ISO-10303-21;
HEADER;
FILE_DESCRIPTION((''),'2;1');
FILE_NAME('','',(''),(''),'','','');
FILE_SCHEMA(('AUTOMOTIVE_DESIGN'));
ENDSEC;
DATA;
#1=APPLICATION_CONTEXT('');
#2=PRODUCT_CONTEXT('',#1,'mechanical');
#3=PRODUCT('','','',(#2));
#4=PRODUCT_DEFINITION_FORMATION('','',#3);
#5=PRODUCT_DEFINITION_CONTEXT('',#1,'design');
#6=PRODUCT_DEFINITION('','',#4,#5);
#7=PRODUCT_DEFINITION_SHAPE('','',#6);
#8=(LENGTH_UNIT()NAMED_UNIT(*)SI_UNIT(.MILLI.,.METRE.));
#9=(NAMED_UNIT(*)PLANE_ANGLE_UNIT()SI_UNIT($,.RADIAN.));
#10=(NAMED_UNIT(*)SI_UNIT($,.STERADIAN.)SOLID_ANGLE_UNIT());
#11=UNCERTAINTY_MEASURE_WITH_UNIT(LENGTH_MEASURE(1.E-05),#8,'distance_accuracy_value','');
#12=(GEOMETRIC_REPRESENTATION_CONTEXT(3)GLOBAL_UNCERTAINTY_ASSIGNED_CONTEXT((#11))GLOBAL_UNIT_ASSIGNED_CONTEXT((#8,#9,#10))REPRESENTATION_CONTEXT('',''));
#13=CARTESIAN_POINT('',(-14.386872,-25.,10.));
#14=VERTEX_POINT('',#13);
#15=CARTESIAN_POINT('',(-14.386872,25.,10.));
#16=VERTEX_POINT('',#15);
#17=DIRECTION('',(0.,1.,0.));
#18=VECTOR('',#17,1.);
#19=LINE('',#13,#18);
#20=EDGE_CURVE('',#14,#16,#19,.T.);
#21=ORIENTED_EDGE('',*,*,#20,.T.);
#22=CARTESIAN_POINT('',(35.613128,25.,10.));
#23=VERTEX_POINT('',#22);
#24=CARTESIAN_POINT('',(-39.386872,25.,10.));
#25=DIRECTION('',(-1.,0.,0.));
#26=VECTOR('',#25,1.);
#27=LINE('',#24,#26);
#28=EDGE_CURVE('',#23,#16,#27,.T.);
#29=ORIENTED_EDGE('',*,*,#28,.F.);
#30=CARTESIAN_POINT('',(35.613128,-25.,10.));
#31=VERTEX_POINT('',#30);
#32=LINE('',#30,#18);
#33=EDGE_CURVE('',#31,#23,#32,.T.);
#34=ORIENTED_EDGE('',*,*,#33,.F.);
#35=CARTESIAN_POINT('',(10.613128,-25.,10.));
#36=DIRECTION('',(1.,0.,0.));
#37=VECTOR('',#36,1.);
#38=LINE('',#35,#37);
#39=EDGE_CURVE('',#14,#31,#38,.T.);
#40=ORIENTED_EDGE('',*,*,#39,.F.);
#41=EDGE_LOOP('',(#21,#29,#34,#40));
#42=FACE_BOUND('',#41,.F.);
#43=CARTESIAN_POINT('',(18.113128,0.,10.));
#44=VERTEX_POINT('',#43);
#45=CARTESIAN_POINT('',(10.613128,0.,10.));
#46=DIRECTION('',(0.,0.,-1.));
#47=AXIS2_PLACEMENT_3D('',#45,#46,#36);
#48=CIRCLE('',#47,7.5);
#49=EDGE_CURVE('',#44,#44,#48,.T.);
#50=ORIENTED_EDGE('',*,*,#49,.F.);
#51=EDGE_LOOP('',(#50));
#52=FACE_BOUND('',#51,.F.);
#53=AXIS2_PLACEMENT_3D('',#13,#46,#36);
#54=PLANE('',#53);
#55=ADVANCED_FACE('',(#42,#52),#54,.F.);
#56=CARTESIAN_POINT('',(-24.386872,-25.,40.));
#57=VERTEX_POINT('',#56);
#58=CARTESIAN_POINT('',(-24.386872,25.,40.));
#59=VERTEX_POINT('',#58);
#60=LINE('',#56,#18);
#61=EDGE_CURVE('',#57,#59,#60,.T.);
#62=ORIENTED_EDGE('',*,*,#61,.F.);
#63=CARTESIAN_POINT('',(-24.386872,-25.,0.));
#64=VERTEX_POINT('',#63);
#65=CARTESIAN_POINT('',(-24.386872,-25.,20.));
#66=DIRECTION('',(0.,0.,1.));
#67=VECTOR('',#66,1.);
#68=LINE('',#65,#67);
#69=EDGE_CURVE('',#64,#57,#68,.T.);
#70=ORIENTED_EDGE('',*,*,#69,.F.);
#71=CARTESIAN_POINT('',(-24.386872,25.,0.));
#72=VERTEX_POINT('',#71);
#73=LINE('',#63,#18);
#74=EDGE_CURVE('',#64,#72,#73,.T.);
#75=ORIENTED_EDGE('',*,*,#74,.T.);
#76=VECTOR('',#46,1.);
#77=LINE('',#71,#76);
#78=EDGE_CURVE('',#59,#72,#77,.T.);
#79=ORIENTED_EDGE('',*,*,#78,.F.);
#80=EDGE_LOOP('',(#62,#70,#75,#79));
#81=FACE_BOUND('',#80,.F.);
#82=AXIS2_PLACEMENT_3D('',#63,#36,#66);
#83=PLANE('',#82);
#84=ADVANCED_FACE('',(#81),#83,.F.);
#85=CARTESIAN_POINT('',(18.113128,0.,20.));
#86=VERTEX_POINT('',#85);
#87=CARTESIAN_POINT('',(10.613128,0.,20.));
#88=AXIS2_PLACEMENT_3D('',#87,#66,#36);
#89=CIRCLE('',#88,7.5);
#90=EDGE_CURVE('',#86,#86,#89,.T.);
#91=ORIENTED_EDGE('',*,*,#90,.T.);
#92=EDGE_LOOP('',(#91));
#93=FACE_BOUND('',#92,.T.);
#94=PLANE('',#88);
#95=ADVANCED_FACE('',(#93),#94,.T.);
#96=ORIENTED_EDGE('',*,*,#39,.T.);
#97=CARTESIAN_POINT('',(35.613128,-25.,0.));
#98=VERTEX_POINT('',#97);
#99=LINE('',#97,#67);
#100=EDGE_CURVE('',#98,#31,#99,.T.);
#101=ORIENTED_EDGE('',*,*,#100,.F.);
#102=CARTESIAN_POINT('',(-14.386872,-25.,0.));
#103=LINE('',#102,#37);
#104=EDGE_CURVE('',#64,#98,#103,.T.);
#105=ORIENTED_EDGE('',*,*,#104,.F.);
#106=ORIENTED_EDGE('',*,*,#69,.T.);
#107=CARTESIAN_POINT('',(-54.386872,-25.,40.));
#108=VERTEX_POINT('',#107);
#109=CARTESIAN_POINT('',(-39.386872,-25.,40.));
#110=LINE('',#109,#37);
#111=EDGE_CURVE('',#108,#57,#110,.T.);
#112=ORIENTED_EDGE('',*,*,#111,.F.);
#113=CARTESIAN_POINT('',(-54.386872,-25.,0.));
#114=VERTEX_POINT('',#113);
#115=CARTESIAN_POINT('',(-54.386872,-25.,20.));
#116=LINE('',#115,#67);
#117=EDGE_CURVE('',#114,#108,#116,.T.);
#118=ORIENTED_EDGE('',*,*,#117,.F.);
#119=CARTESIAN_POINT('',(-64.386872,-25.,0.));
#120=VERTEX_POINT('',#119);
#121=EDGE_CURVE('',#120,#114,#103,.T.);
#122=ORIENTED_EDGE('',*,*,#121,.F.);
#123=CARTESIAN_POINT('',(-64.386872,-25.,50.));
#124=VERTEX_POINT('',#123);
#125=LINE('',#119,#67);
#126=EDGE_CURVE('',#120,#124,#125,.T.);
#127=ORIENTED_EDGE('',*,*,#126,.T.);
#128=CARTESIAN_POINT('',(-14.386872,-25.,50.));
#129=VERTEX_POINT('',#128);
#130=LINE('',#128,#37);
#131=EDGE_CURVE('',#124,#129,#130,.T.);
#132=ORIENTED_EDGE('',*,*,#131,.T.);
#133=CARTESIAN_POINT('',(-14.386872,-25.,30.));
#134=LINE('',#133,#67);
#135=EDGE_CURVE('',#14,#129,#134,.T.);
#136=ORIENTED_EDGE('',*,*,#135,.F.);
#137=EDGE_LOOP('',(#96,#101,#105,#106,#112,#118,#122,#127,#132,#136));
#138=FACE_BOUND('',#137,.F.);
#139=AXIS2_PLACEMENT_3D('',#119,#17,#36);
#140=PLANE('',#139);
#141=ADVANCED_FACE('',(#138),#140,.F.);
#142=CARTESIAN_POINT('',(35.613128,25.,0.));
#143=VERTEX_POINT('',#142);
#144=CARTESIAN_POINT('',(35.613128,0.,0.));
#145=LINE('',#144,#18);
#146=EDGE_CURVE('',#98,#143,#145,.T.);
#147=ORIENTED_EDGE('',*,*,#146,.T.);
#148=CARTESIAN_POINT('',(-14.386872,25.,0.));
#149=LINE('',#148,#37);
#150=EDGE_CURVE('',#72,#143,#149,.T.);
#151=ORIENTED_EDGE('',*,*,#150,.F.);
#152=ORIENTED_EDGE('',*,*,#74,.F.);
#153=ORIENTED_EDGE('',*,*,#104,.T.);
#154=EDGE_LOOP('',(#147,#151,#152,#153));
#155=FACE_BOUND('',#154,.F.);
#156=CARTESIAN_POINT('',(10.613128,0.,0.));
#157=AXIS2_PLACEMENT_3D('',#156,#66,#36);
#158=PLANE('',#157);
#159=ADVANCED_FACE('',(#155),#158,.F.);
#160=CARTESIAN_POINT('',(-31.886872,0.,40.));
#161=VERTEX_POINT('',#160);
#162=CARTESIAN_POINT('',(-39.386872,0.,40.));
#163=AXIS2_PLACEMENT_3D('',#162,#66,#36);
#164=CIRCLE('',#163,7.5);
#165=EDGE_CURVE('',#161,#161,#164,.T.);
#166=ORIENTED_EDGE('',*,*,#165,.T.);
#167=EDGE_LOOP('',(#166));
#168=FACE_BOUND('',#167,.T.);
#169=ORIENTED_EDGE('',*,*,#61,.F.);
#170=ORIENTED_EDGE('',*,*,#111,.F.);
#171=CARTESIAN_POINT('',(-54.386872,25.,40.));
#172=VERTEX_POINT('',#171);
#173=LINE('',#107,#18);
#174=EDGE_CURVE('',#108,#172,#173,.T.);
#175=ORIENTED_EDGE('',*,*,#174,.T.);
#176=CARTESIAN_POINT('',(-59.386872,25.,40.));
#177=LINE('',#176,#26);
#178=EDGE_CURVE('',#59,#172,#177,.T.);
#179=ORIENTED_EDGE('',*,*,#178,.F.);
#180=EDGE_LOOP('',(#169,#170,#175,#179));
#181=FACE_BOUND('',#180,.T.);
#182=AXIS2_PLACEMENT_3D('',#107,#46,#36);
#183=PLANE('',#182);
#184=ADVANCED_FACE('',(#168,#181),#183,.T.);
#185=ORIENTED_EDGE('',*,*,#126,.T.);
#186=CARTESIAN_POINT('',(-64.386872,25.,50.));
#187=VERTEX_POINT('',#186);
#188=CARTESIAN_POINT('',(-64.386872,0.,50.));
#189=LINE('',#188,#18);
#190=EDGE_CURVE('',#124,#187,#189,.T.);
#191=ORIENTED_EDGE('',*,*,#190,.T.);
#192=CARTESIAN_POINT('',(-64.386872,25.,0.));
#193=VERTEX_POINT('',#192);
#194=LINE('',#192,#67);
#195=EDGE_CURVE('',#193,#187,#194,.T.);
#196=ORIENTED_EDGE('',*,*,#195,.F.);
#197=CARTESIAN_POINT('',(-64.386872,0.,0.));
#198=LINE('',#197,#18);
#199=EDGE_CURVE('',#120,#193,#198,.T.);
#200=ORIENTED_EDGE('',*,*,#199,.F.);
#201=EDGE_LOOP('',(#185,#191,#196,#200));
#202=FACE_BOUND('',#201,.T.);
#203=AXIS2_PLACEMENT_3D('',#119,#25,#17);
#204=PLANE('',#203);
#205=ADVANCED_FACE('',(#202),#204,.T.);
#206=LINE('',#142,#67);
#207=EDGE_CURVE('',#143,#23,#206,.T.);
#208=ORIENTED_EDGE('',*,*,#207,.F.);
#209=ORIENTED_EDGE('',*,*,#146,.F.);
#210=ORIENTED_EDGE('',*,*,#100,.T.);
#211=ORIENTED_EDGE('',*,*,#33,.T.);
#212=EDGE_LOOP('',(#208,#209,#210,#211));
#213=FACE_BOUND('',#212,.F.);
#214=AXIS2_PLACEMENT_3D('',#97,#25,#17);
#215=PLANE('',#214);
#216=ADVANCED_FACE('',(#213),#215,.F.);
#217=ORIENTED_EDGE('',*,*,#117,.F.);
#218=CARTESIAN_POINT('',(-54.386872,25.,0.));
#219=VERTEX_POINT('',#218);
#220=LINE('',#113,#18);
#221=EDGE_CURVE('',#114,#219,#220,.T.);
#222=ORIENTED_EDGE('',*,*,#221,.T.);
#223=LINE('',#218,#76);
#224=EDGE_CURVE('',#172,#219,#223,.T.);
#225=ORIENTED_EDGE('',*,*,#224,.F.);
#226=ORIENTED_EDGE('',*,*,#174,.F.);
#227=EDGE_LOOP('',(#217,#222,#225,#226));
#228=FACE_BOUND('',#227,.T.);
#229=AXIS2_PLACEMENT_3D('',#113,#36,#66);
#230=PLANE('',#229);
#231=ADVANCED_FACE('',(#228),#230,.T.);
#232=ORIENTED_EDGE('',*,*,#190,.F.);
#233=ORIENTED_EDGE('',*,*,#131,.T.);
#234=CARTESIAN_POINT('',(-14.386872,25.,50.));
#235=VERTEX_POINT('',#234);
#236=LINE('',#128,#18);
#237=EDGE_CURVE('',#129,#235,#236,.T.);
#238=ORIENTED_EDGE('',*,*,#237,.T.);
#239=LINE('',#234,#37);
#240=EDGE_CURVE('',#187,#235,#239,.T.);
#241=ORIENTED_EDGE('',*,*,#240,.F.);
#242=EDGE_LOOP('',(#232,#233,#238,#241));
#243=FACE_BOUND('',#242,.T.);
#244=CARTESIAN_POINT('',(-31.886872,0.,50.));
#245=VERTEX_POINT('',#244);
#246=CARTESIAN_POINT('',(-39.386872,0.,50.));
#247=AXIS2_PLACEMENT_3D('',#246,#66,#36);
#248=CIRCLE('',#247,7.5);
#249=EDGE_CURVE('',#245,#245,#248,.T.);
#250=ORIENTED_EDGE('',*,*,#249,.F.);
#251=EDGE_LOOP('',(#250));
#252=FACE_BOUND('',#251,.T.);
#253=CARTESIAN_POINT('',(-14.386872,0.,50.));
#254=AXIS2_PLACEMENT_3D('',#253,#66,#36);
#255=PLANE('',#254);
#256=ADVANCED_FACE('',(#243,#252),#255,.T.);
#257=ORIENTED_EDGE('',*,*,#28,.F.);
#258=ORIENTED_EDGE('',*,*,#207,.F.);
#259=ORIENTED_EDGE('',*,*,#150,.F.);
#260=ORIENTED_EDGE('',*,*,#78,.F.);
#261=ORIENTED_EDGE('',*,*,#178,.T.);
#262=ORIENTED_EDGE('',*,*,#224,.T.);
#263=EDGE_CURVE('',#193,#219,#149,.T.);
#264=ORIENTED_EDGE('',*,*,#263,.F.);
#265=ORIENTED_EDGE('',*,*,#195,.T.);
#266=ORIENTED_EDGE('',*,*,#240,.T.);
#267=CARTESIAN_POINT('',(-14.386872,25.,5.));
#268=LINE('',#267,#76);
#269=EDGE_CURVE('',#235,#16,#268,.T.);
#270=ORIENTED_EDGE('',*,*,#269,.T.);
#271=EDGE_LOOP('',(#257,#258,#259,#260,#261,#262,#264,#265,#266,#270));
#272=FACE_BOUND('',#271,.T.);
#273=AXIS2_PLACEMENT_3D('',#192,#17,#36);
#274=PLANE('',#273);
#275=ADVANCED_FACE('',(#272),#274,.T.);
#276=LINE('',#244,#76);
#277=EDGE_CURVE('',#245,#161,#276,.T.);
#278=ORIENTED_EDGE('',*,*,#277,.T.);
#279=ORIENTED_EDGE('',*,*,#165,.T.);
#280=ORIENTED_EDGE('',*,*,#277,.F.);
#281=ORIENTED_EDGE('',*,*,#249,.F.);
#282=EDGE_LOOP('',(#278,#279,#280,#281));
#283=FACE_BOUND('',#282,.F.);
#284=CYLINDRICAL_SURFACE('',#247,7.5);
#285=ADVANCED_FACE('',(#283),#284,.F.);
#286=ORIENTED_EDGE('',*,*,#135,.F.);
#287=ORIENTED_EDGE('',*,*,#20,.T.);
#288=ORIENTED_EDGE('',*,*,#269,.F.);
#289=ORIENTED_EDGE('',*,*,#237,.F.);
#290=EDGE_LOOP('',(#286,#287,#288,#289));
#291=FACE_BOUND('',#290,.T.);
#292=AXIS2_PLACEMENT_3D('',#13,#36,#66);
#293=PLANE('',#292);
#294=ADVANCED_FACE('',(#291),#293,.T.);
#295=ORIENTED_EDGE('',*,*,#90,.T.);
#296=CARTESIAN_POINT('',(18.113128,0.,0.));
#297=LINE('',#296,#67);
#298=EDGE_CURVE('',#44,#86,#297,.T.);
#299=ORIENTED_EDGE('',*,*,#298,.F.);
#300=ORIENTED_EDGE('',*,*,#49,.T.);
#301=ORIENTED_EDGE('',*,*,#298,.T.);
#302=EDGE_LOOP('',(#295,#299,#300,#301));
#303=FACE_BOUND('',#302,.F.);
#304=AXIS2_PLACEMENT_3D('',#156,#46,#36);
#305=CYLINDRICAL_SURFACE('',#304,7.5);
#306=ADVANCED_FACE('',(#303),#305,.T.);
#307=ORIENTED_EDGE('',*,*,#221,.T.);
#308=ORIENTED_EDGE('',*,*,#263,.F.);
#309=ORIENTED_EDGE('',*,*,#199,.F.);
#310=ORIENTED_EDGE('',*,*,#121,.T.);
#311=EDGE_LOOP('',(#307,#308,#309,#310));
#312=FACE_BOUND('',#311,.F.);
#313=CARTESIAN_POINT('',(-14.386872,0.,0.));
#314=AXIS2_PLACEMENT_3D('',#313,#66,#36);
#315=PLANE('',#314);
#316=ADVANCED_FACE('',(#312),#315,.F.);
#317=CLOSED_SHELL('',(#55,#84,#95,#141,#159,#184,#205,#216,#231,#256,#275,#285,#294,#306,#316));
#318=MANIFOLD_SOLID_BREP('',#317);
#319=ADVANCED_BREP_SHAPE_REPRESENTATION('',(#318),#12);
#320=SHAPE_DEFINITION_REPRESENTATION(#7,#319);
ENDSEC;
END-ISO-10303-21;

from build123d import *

# Parameters (mm, degrees)
F0_W     = 100
F0_H     = 50
F1_DEPTH = 50
F2_W     = 50
F2_H     = 40
F3_DEPTH = 50.001
F4_W     = 30
F4_H     = 40
F5_DEPTH = 50.001
F6_R     = 7.5
F7_DEPTH = 50.001
F8_R     = 7.5
F9_DEPTH = 20


with BuildPart() as f1:
    # F0 (on Top) → F1 (new body)
    with BuildSketch(Plane.XY):
        with Locations((-14.386872, 0)):
            Rectangle(F0_W, F0_H)
    extrude(amount=F1_DEPTH)

    # F2 (on face) → F3 (cut, through all)
    with BuildSketch(Plane.XZ.offset(25)):
        with Locations((10.613128, 30)):
            Rectangle(F2_W, F2_H)
    extrude(amount=-F3_DEPTH, mode=Mode.SUBTRACT)

    # F4 (on face) → F5 (cut, through all)
    with BuildSketch(Plane.XZ.offset(25)):
        with Locations((-39.386872, 20)):
            Rectangle(F4_W, F4_H)
    extrude(amount=-F5_DEPTH, mode=Mode.SUBTRACT)

    # F6 (on face) → F7 (cut, through all)
    with BuildSketch(Plane.XY.offset(50)):
        with Locations((-39.386872, 0)):
            Circle(F6_R)
    extrude(amount=-F7_DEPTH, mode=Mode.SUBTRACT)

    # F8 (on face) → F9 (join)
    with BuildSketch(Plane.XY):
        with Locations((10.613128, 0)):
            Circle(F8_R)
    extrude(amount=F9_DEPTH)


solid = f1.part
